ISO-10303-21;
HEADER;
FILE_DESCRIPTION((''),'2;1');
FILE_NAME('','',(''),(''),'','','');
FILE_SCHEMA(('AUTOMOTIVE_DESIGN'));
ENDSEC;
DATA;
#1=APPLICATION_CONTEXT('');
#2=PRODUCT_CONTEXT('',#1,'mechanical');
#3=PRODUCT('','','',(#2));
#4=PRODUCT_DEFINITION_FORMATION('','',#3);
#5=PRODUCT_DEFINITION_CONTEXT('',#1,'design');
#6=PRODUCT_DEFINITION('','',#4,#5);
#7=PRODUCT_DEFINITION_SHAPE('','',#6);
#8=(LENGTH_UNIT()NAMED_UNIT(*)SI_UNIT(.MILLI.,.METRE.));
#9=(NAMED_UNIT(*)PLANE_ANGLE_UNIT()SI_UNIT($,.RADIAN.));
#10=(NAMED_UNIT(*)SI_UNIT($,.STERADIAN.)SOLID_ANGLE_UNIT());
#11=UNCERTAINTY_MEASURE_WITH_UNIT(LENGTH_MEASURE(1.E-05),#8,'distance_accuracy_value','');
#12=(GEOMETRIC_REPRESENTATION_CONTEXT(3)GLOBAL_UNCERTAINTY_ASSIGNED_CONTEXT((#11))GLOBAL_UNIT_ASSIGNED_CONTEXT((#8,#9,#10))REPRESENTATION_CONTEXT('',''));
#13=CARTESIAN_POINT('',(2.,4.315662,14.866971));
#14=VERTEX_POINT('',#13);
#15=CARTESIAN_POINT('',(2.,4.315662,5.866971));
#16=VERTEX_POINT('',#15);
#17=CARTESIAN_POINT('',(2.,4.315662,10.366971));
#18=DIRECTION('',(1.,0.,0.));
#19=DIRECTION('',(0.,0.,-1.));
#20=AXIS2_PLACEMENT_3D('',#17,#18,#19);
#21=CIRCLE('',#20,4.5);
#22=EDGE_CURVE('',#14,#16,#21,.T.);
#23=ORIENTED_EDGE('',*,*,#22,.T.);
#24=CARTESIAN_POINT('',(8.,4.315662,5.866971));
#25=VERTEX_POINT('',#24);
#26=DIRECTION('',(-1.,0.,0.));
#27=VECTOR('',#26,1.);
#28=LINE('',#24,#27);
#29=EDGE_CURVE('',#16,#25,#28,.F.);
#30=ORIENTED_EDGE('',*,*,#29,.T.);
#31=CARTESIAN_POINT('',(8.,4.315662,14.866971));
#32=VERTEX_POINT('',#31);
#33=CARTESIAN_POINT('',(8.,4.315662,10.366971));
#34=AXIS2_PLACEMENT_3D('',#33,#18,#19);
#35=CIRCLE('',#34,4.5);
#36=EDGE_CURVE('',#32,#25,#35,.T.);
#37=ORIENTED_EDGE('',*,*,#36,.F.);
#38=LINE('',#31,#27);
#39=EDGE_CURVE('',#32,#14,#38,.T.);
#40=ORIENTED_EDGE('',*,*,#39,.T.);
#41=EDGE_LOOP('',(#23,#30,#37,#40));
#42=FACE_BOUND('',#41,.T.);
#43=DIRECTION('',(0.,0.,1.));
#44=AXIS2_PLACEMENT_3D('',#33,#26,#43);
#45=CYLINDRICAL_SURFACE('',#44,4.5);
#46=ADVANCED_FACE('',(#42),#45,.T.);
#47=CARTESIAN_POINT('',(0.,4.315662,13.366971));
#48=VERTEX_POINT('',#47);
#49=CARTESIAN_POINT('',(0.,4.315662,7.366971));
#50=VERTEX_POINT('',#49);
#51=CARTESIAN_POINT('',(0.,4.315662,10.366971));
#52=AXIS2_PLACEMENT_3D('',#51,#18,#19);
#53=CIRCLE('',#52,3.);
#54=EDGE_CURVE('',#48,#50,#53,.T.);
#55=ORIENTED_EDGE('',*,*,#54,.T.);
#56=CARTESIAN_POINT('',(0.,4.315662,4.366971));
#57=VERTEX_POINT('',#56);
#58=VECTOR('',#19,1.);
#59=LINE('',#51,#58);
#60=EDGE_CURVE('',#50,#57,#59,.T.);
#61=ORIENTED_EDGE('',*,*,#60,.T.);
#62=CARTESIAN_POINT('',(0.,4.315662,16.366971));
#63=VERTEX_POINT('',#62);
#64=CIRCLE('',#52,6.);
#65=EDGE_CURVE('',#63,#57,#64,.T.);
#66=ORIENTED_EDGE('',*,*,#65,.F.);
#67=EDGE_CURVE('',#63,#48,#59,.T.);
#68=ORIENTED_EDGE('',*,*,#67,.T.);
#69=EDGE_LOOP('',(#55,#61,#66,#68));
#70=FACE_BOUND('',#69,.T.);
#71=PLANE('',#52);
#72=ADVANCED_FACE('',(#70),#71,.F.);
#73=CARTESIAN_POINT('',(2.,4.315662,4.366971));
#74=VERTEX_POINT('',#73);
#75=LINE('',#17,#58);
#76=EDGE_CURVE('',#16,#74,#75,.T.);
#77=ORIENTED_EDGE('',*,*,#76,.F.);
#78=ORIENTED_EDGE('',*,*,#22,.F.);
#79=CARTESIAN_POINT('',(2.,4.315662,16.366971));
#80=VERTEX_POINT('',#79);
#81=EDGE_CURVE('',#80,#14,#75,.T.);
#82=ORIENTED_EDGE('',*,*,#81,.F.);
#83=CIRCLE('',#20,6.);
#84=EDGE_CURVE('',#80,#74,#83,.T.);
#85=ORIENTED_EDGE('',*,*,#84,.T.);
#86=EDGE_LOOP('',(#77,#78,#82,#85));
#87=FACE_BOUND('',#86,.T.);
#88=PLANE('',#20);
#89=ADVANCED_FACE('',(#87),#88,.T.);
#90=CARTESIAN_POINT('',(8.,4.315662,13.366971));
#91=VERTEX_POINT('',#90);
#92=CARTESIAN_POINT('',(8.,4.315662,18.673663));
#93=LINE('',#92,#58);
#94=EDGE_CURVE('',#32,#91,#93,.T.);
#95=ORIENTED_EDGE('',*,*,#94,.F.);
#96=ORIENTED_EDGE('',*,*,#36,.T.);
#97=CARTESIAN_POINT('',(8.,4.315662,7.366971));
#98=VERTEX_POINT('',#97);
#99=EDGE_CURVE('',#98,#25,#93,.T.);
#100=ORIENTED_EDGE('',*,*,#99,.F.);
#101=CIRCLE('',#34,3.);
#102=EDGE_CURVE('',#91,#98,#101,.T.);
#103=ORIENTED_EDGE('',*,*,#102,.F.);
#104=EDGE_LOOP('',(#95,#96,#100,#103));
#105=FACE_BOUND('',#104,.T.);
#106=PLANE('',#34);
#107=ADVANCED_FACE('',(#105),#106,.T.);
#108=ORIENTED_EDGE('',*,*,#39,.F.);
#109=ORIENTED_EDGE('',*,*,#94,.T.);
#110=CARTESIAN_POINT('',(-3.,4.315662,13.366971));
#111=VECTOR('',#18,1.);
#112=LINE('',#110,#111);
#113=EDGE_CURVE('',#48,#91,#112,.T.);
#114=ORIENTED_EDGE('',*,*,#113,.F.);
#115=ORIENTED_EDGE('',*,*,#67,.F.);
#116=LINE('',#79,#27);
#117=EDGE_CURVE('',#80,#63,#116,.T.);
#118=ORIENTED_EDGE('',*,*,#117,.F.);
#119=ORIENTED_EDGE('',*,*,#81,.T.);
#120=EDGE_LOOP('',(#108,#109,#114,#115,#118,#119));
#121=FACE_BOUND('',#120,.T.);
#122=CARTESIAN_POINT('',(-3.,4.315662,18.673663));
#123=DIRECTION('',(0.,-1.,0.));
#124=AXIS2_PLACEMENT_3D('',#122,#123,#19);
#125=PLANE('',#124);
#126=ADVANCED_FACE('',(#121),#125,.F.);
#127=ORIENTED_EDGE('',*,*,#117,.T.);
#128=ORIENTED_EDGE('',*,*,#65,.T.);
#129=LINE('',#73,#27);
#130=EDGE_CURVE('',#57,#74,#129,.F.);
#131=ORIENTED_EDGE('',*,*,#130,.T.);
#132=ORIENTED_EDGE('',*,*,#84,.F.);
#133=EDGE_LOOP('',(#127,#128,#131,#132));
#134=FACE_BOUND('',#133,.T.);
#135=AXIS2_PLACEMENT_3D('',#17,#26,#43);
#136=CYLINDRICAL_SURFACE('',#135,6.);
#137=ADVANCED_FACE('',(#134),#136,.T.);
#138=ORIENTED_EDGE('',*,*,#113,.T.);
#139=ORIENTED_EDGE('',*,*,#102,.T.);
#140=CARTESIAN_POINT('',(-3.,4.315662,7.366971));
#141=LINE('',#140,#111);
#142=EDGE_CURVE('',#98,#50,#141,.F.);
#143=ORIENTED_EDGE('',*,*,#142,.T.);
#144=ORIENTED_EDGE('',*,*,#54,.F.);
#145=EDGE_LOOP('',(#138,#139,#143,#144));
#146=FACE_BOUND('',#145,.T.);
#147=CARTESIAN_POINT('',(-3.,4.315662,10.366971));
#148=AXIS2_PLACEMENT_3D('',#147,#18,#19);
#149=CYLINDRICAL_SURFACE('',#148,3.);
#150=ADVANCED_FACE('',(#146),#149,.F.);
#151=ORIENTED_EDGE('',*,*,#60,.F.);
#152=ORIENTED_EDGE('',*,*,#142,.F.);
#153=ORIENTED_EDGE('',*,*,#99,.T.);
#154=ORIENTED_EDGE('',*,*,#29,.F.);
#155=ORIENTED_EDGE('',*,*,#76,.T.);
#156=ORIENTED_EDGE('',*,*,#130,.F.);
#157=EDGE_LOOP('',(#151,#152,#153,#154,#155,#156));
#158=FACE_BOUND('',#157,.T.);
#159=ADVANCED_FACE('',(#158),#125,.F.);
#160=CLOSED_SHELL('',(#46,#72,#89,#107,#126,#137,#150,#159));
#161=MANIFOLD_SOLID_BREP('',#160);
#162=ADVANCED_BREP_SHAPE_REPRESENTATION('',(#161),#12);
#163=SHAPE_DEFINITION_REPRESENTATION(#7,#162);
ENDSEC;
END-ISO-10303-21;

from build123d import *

# Parameters (mm, degrees)
SKETCH1_R           = 6
BOSS_EXTRUDE1_DEPTH = 2
SKETCH2_R           = 4.5
BOSS_EXTRUDE2_DEPTH = 6
SKETCH3_R           = 3
CUT_EXTRUDE1_DEPTH  = 11
SKETCH4_W           = 17.898398612
SKETCH4_H           = 8.444372679
CUT_EXTRUDE2_DEPTH  = 11


with BuildPart() as part:
    # Sketch1 → Boss-Extrude1 (new body)
    with BuildSketch(Plane(origin=(0, 0, 0), x_dir=(0, 0, -1), z_dir=(1, 0, 0))):
        with Locations((-10.366970779, 4.315662044)):
            Circle(SKETCH1_R)
    extrude(amount=BOSS_EXTRUDE1_DEPTH)

    # Sketch2 → Boss-Extrude2 (add)
    with BuildSketch(Plane(origin=(2, 0, 0), x_dir=(0, 0, -1), z_dir=(1, 0, 0))):
        with Locations((-10.366970779, 4.315662044)):
            Circle(SKETCH2_R)
    extrude(amount=BOSS_EXTRUDE2_DEPTH)

    # Sketch3 → Cut-Extrude1 (cut)
    with BuildSketch(Plane(origin=(8, 0, 0), x_dir=(0, 0, -1), z_dir=(1, 0, 0))):
        with Locations((-10.366970779, 4.315662044)):
            Circle(SKETCH3_R)
    extrude(amount=-CUT_EXTRUDE1_DEPTH, mode=Mode.SUBTRACT)

    # Sketch4 → Cut-Extrude2 (cut)
    with BuildSketch(Plane(origin=(8, 0, 0), x_dir=(0, 0, -1), z_dir=(1, 0, 0))):
        with Locations((-9.724464162, 8.537848384)):
            Rectangle(SKETCH4_W, SKETCH4_H)
    extrude(amount=-CUT_EXTRUDE2_DEPTH, mode=Mode.SUBTRACT)


solid = part.part
